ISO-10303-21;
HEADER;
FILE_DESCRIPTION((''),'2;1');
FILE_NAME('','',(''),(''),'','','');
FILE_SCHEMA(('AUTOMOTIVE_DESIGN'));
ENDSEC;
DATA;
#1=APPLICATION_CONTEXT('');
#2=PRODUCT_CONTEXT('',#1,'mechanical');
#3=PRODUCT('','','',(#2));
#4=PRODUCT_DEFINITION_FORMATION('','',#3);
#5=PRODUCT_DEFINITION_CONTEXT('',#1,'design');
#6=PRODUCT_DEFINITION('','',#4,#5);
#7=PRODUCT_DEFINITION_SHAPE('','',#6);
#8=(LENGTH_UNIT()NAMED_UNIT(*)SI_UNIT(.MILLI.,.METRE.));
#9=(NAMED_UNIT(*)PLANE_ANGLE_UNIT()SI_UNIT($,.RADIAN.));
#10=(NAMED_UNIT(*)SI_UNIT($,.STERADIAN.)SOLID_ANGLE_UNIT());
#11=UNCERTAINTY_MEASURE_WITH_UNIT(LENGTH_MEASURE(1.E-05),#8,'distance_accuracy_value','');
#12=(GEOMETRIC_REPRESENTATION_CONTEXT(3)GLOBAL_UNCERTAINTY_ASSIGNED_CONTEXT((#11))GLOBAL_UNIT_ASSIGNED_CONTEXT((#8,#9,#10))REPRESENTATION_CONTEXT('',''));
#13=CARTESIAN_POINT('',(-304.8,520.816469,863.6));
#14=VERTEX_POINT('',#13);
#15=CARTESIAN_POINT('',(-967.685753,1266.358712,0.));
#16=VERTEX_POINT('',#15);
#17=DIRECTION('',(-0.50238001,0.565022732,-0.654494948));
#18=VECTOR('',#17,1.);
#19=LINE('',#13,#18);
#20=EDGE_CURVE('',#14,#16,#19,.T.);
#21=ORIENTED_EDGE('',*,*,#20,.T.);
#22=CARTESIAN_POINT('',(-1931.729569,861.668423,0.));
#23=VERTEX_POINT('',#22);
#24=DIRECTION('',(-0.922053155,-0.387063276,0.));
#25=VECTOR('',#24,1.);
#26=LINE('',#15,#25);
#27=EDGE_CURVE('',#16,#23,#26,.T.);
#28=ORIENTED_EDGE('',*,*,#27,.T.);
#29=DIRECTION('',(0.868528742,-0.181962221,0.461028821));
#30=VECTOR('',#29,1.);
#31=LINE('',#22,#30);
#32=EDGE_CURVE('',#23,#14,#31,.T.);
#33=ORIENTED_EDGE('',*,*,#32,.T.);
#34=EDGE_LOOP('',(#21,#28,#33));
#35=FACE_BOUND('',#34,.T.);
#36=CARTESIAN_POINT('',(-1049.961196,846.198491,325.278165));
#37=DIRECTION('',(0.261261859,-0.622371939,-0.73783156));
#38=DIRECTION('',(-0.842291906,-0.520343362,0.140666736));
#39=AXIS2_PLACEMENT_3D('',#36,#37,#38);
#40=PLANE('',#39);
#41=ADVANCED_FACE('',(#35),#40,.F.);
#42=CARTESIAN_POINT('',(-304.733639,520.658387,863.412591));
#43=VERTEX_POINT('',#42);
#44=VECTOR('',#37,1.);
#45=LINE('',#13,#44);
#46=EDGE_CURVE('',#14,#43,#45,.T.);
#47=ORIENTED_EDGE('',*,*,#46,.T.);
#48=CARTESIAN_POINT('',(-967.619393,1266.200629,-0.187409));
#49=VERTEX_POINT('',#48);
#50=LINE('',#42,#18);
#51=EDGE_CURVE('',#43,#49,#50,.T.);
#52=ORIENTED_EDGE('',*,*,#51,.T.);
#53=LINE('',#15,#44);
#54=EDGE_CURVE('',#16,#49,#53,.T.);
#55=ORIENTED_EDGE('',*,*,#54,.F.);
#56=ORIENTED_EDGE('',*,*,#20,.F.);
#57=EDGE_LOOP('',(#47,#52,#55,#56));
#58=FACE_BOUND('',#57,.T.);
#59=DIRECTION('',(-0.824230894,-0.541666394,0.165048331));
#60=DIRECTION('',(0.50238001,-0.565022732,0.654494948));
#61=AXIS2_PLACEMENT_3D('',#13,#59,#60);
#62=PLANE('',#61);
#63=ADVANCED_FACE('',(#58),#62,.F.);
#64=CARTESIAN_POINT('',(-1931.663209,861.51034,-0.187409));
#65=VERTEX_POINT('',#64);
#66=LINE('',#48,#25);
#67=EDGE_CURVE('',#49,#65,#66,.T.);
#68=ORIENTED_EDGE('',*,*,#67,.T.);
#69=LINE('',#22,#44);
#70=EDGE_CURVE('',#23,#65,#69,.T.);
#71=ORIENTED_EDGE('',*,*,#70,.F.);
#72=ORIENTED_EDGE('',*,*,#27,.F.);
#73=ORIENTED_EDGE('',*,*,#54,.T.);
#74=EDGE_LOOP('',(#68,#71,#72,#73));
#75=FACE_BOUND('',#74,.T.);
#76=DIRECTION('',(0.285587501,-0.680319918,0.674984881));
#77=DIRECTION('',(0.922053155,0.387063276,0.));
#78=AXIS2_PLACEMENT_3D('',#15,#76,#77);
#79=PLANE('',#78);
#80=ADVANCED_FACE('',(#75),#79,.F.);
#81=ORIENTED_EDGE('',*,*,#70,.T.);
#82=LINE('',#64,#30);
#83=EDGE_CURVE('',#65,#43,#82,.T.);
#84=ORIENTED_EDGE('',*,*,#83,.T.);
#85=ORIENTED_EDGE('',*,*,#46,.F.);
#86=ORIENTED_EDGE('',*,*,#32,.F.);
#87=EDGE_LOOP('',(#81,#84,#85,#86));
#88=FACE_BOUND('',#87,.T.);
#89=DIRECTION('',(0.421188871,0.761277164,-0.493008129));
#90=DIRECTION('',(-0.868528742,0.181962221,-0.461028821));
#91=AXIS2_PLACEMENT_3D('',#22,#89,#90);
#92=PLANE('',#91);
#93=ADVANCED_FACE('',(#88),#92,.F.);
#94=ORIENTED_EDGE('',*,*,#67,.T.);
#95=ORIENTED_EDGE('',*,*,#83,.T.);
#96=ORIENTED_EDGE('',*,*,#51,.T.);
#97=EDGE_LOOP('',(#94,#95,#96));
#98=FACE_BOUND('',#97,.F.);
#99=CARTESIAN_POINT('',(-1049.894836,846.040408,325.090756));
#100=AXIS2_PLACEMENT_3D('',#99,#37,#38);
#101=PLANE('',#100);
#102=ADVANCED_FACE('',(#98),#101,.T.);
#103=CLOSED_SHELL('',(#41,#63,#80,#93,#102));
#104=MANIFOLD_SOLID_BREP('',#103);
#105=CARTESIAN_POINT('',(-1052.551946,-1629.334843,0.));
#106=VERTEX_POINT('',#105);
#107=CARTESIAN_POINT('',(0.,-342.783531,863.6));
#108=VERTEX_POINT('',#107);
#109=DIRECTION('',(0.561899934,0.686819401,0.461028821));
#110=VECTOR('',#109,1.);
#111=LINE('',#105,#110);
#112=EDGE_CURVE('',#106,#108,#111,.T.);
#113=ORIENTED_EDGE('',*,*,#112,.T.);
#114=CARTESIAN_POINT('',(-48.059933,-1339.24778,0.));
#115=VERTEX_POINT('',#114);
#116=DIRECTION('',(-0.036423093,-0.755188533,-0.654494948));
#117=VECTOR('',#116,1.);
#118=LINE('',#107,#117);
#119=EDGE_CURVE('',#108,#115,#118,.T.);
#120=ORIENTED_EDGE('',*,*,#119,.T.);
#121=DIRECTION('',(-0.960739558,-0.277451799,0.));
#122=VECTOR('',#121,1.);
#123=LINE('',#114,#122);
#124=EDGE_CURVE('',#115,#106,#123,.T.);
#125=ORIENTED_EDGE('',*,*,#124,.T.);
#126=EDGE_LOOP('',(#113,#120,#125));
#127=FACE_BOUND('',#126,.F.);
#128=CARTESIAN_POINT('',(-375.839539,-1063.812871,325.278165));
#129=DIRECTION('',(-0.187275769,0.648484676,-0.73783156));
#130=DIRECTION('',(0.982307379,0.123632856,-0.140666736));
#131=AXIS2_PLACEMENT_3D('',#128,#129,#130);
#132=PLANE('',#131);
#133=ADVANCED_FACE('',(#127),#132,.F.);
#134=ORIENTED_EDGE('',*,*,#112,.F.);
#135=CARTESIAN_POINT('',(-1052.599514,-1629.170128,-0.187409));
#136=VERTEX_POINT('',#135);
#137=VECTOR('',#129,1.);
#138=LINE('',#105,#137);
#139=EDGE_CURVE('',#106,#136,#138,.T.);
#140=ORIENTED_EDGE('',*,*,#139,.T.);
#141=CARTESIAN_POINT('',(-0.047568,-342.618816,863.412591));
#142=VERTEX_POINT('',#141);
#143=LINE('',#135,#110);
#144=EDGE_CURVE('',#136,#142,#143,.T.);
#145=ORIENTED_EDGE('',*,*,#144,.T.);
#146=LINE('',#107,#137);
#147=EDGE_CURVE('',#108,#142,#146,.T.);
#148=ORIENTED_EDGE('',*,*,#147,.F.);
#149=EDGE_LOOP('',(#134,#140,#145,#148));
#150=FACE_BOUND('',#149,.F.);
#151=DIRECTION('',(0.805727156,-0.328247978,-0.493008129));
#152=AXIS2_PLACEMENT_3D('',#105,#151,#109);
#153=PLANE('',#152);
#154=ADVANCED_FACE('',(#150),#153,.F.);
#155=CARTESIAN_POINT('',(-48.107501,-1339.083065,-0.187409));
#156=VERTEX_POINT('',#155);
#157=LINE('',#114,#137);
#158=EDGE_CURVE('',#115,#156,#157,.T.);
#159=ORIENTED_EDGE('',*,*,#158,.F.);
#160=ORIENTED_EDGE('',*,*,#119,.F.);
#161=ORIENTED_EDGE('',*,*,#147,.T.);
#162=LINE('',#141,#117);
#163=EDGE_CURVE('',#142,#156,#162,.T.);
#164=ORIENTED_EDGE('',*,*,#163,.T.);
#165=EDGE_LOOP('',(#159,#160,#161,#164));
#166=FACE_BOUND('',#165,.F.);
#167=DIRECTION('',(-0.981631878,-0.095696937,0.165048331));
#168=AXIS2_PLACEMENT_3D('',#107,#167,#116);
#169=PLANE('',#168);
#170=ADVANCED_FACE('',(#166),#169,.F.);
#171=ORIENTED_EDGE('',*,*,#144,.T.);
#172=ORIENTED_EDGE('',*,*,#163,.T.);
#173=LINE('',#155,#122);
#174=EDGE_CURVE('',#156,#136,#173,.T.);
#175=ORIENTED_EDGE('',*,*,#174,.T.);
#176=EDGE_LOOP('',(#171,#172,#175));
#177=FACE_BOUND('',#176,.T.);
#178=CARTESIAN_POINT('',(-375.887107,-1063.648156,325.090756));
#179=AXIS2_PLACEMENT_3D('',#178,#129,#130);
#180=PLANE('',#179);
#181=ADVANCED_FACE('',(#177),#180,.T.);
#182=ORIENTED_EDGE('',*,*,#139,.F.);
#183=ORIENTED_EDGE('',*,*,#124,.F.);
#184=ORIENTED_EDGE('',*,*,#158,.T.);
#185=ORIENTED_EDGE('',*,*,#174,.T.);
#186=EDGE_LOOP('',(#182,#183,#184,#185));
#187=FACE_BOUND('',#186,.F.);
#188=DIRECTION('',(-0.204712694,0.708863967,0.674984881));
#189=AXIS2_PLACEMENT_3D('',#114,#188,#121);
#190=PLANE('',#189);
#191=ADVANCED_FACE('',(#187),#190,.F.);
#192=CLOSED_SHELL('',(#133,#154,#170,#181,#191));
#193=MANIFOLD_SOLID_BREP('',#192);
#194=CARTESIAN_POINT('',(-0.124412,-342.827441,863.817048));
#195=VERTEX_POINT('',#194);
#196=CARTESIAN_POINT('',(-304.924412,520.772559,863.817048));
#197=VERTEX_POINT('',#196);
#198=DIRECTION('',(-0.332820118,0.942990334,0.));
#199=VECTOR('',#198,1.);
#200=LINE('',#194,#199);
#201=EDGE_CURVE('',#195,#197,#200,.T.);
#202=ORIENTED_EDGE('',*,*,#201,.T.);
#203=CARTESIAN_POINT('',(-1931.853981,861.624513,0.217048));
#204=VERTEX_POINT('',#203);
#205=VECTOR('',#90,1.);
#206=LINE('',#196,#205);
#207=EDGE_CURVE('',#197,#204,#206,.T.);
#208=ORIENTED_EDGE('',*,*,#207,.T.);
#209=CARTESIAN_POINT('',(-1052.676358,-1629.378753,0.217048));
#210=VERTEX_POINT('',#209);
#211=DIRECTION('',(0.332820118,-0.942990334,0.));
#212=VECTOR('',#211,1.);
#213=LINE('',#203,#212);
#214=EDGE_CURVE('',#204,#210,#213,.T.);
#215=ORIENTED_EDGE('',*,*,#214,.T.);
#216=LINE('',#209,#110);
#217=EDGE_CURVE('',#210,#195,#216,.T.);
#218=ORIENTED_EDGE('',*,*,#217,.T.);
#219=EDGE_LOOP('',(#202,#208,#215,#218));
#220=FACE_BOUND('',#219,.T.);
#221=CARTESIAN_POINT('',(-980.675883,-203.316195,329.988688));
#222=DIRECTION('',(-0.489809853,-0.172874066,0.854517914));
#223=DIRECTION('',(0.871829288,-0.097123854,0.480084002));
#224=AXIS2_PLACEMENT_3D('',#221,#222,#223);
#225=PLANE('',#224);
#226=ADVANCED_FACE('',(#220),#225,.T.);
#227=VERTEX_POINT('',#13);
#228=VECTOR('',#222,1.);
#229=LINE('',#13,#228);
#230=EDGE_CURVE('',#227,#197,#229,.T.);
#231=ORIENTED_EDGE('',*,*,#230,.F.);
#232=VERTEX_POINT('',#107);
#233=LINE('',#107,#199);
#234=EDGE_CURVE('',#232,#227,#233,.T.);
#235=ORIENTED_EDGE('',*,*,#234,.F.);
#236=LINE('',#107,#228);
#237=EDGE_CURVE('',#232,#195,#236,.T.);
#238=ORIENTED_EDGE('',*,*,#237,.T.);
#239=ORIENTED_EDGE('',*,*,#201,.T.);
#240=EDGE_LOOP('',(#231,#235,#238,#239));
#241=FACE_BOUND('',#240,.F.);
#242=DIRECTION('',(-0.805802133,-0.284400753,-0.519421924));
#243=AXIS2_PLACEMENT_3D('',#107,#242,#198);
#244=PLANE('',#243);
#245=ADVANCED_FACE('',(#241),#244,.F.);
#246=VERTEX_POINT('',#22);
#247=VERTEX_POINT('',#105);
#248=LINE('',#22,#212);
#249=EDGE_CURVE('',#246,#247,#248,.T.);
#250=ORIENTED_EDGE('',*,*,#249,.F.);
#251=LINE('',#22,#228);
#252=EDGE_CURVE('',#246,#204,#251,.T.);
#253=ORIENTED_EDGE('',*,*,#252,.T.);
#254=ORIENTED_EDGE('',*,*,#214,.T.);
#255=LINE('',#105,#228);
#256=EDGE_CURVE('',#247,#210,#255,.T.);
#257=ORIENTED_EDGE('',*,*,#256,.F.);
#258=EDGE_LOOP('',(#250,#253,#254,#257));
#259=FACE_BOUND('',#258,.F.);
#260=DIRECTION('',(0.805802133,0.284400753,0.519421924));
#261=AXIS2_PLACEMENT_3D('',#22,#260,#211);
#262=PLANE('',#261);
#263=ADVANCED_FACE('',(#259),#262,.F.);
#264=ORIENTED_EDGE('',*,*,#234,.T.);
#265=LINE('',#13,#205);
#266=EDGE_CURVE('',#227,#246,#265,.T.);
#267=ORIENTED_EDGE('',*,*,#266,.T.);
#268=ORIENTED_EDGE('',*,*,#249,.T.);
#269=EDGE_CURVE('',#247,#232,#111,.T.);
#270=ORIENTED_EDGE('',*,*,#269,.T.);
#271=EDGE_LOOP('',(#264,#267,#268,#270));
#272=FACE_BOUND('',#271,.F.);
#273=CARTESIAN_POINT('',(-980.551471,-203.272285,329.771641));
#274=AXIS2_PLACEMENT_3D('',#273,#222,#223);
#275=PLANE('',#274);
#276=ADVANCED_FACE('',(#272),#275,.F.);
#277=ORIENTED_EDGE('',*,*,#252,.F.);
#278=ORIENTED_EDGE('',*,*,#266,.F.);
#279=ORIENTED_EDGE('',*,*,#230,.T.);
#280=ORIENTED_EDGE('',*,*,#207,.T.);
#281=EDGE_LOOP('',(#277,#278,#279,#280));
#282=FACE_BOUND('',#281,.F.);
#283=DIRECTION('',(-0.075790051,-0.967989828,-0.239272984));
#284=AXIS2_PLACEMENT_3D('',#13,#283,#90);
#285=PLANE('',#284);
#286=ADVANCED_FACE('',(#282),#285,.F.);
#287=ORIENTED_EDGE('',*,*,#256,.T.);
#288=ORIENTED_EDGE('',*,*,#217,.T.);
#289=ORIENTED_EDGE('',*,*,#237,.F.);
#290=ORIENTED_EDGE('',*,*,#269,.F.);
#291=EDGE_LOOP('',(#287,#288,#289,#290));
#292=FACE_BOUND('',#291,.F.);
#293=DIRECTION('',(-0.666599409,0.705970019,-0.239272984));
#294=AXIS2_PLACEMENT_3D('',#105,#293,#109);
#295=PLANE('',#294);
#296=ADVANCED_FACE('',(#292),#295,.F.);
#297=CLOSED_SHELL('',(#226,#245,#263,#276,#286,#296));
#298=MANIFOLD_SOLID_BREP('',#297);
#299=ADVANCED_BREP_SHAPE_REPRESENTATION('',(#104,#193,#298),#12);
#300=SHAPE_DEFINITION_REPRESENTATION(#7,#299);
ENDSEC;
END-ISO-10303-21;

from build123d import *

# Parameters (mm, degrees)
F8_DEPTH = 0.254
F9_DEPTH = 0.254


with BuildPart() as f8:
    # F5 (on face) → F8 (new body)
    with BuildSketch(Plane(origin=(-390.4862371513, -137.8186719357, 681.2388166237), x_dir=(0.8718292882, -0.0971238544, 0.4800840022), z_dir=(-0.4898098532, -0.1728740658, 0.8545179138))):
        Polygon((98.2832743903, 681.717228434), (-1767.8269736298, 844.5588062927), (-759.3983340631, -1596.9821495181), (447.8930020446, -164.7348011162), align=None)
    extrude(amount=F8_DEPTH)


with BuildPart() as f9:
    # F7 (on 3pt) → F9 (new body)
    with BuildSketch(Plane(origin=(160.9600035135, -557.3603890985, 634.1523561522), x_dir=(0.9823073787, 0.1236328561, -0.1406667365), z_dir=(-0.1872757695, 0.6484846762, -0.73783156))):
        Polygon((-212.7846547286, 1005.9369401883), (-1235.3688632138, 1223.8273830865), (-163.8591005336, -312.6463933659), align=None)
    extrude(amount=F9_DEPTH)


with BuildPart() as f10_1:
    # F10: instance of F9
    add(f9.part.mirror(Plane(origin=(-44.8187072543, 126.9863372204, 0), x_dir=(0.9429903336, 0.3328201177, 0), z_dir=(0.3328201177, -0.9429903336, 0))))


solid = Compound([f8.part, f9.part, f10_1.part])
